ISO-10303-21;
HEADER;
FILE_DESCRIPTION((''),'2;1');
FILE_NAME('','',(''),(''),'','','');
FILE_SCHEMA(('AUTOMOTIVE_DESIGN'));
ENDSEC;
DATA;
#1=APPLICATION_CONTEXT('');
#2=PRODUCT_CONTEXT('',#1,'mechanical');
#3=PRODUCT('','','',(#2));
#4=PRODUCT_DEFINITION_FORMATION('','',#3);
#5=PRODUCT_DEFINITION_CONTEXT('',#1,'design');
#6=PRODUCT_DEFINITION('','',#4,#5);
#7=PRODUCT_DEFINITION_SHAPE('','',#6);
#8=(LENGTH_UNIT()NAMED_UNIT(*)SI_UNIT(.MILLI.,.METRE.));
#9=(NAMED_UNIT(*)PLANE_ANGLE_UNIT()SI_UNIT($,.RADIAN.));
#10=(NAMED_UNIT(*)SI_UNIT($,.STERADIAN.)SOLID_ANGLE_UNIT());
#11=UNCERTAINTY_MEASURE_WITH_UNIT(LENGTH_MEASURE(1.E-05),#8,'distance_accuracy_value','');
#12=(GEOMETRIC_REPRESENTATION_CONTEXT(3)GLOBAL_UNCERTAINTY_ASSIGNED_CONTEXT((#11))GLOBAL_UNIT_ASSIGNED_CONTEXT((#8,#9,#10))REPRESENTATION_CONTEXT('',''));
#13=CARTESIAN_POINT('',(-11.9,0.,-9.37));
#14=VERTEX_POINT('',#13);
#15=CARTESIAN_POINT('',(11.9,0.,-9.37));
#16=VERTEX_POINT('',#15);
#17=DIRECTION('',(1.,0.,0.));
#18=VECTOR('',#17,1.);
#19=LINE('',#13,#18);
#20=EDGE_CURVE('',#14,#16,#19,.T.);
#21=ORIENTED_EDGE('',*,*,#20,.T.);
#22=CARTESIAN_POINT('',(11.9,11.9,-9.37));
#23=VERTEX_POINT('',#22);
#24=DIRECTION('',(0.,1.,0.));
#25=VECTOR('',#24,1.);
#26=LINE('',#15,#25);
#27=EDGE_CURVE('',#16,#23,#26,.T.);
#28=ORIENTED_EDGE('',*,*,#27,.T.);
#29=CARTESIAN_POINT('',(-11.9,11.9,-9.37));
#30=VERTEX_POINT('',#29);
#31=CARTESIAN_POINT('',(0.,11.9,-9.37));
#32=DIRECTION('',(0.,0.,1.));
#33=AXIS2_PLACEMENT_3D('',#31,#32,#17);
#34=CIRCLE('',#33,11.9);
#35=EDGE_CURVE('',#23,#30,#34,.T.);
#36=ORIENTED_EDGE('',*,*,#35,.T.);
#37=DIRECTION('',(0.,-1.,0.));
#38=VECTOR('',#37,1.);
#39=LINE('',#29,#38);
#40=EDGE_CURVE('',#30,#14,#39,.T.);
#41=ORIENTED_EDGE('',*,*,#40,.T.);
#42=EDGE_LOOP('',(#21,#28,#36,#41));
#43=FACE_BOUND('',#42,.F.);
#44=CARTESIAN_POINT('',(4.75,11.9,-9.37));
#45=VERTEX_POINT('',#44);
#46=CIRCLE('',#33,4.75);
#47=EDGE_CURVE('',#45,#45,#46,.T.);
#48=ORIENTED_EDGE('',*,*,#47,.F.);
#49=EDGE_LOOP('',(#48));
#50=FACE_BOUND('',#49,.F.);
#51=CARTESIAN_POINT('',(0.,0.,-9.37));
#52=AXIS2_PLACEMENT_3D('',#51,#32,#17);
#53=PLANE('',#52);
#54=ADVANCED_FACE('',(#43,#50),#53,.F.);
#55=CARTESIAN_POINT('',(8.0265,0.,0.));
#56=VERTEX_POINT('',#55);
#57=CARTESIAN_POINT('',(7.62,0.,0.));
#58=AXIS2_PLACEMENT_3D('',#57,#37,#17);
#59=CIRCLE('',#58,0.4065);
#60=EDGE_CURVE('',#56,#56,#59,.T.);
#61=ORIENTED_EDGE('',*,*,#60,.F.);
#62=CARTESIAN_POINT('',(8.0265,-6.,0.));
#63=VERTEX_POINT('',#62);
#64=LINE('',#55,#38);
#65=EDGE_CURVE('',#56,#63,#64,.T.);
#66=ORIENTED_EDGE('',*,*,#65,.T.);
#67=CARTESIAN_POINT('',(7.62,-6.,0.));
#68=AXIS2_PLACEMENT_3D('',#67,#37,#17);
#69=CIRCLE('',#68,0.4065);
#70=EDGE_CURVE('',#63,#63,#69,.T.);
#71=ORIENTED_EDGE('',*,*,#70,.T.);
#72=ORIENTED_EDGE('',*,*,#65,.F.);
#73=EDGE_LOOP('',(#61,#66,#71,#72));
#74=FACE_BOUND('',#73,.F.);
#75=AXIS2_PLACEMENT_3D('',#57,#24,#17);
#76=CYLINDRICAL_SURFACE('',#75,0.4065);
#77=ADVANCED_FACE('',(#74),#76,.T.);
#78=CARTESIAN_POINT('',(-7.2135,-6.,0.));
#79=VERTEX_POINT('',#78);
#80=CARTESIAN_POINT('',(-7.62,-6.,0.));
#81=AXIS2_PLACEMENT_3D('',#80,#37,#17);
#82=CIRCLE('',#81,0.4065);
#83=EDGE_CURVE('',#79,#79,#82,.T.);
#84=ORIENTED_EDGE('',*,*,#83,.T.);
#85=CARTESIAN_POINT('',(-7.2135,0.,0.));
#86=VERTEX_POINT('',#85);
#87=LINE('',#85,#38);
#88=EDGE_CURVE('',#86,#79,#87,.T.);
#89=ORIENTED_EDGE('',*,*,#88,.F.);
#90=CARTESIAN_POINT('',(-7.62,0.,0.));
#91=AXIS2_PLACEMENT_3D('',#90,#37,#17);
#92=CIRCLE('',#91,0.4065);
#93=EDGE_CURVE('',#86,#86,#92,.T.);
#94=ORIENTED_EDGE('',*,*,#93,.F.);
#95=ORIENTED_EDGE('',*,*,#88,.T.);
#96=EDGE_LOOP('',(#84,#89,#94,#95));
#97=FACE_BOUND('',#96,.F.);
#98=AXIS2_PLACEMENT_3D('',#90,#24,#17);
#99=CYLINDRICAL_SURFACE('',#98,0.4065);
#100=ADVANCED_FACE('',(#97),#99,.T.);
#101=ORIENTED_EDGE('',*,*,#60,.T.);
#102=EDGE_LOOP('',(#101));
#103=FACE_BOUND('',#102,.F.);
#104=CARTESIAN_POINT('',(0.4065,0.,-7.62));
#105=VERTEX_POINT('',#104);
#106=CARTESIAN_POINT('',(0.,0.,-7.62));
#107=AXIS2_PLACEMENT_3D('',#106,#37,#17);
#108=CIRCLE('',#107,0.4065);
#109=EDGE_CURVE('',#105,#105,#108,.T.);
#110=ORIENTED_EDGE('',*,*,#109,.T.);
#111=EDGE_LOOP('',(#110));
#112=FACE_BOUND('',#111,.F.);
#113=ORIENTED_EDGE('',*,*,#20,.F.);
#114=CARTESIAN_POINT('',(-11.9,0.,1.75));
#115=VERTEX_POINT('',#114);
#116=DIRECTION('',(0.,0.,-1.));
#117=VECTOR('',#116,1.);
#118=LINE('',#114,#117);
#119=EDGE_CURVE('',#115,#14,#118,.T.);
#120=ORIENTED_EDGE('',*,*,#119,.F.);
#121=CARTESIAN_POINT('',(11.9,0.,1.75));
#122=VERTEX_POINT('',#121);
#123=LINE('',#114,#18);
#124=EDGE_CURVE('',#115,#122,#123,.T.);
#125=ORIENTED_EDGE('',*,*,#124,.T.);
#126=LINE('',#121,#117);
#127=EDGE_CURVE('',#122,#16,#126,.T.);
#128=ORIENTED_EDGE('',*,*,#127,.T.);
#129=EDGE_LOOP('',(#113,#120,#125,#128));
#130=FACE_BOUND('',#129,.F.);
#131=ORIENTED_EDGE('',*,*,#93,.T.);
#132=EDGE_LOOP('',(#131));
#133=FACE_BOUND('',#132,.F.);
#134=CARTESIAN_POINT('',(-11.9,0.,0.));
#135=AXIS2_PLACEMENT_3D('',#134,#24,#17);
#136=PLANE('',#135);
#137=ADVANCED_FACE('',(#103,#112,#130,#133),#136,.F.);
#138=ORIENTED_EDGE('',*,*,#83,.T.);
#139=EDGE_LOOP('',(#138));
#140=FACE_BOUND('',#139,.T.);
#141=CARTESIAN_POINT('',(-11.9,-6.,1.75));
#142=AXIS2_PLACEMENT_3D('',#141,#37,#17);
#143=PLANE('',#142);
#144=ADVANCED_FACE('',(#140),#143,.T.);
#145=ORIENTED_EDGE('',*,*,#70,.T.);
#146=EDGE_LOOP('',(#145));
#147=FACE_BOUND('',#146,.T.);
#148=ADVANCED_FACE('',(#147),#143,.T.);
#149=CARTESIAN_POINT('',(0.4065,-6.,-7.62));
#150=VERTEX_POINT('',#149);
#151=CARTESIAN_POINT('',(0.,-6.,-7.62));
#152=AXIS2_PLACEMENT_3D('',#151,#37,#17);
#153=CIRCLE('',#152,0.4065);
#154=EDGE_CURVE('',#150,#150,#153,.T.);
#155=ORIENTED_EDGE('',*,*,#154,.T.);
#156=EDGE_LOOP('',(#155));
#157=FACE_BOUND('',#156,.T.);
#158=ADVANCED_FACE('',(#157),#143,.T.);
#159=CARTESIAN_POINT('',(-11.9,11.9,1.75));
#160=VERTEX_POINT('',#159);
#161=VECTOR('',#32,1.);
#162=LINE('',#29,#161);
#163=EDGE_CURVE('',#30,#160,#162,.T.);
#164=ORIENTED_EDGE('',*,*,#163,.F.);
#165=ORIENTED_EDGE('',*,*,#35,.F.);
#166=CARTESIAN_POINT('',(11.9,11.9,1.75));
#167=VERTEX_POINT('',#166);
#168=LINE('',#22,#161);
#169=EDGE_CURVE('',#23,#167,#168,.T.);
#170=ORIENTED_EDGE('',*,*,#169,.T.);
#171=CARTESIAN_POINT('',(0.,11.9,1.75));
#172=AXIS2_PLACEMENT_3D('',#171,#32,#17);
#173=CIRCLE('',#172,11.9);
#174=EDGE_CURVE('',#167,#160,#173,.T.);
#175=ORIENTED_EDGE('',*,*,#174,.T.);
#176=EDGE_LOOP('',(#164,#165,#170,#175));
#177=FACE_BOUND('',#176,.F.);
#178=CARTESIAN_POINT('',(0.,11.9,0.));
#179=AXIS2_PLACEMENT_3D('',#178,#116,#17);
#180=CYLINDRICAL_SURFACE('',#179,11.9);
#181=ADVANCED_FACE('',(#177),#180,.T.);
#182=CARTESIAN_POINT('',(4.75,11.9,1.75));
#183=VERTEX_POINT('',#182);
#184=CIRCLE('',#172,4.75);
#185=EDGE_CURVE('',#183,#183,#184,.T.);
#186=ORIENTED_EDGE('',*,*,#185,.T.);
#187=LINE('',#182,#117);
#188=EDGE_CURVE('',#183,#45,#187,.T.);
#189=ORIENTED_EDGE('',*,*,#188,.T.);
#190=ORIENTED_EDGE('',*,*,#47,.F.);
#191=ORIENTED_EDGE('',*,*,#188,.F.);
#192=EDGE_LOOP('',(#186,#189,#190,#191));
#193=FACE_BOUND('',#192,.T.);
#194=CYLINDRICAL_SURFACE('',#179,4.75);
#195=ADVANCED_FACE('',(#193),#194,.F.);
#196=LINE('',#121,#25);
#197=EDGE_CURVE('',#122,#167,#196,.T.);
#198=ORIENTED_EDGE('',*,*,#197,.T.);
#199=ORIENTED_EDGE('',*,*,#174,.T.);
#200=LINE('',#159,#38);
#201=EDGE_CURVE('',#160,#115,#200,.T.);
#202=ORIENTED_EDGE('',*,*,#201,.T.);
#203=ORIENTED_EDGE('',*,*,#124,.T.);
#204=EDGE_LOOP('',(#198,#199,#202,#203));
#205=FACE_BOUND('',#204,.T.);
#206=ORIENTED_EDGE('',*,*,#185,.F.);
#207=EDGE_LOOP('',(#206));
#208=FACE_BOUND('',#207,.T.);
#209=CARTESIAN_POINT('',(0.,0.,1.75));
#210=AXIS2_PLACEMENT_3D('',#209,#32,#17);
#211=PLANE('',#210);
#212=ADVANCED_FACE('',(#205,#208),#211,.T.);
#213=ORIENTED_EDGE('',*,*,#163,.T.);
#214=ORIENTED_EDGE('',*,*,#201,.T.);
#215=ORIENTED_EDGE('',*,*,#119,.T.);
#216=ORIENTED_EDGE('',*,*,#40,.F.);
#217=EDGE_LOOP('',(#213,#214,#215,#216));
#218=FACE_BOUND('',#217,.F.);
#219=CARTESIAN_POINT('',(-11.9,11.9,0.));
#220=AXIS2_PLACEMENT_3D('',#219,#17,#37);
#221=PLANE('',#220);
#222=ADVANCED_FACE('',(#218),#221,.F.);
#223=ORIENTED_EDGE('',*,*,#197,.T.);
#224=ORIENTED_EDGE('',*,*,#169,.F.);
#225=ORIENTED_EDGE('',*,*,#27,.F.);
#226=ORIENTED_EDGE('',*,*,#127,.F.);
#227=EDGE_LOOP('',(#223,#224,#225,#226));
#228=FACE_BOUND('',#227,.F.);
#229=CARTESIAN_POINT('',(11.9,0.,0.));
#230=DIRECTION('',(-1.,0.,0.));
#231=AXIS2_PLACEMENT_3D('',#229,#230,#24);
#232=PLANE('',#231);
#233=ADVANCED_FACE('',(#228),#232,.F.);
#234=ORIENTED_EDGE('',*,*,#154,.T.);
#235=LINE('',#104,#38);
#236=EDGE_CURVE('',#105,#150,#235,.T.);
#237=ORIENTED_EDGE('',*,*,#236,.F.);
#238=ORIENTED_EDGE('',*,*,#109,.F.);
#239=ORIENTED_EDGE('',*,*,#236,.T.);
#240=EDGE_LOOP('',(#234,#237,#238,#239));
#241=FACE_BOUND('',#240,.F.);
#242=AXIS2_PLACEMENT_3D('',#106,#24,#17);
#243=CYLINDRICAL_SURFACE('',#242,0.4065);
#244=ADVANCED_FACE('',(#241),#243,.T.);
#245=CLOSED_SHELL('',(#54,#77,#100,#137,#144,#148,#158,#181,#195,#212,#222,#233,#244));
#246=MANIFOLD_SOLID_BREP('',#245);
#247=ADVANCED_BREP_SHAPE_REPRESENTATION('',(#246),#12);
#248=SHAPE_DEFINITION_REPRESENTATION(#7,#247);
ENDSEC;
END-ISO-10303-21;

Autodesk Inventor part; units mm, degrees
ref_plane "YZ Plane" through (0, 0, 0) normal (1, 0, 0) x (0, 1, 0)
ref_plane "XZ Plane" through (0, 0, 0) normal (0, 1, 0) x (-1, 0, 0)
ref_plane "XY Plane" through (0, 0, 0) normal (0, 0, 1) x (1, 0, 0)
sketch "Sketch1" plane through (0, 0, 0) normal (0, 0, 1) x (1, 0, 0)
  arc A0 (11.9, 11.9) -> (-11.9, 11.9) centre (0, 11.9) ccw
  line L0 (-11.9, 11.9) -> (-11.9, 0)
  line L1 (-11.9, 0) -> (11.9, 0)
  line L2 (11.9, 0) -> (11.9, 11.9)
  circle A1 centre (0, 11.9) radius 4.75
  point P0 (0, 0)
  dimension "d0" = 11.9
  dimension "d1" = 180
  dimension "d2" = 11.9
  dimension "d3" = 9.5
  dimension "d4" = 23.8
  dimension "d5" = 0
extrude "Extrusion1" add sketch "Sketch1" along normal blind 1.75 and the other way blind 9.37
sketch "Sketch2" plane through (-11.9, 0, 1.75) normal (0, -1, 0) x (1, 0, 0)
  circle A0 centre (4.28, -1.75) radius 0.4065
  circle A1 centre (19.52, -1.75) radius 0.4065
  circle A2 centre (11.9, -9.37) radius 0.4065
  point P0 (11.9, -1.75)
  dimension "d10" = 0.813
  dimension "d11" = 0.813
  dimension "d12" = 15.24
  dimension "d13" = 7.62
  dimension "d14" = 0.813
  dimension "d15" = 7.62
extrude "Extrusion2" add sketch "Sketch2" along normal blind 6
equation "\"d11\" = d10"
equation "\"d13\" = 0.5 * d12"
equation "\"d14\" = d10"
properties part number "AC1015"
